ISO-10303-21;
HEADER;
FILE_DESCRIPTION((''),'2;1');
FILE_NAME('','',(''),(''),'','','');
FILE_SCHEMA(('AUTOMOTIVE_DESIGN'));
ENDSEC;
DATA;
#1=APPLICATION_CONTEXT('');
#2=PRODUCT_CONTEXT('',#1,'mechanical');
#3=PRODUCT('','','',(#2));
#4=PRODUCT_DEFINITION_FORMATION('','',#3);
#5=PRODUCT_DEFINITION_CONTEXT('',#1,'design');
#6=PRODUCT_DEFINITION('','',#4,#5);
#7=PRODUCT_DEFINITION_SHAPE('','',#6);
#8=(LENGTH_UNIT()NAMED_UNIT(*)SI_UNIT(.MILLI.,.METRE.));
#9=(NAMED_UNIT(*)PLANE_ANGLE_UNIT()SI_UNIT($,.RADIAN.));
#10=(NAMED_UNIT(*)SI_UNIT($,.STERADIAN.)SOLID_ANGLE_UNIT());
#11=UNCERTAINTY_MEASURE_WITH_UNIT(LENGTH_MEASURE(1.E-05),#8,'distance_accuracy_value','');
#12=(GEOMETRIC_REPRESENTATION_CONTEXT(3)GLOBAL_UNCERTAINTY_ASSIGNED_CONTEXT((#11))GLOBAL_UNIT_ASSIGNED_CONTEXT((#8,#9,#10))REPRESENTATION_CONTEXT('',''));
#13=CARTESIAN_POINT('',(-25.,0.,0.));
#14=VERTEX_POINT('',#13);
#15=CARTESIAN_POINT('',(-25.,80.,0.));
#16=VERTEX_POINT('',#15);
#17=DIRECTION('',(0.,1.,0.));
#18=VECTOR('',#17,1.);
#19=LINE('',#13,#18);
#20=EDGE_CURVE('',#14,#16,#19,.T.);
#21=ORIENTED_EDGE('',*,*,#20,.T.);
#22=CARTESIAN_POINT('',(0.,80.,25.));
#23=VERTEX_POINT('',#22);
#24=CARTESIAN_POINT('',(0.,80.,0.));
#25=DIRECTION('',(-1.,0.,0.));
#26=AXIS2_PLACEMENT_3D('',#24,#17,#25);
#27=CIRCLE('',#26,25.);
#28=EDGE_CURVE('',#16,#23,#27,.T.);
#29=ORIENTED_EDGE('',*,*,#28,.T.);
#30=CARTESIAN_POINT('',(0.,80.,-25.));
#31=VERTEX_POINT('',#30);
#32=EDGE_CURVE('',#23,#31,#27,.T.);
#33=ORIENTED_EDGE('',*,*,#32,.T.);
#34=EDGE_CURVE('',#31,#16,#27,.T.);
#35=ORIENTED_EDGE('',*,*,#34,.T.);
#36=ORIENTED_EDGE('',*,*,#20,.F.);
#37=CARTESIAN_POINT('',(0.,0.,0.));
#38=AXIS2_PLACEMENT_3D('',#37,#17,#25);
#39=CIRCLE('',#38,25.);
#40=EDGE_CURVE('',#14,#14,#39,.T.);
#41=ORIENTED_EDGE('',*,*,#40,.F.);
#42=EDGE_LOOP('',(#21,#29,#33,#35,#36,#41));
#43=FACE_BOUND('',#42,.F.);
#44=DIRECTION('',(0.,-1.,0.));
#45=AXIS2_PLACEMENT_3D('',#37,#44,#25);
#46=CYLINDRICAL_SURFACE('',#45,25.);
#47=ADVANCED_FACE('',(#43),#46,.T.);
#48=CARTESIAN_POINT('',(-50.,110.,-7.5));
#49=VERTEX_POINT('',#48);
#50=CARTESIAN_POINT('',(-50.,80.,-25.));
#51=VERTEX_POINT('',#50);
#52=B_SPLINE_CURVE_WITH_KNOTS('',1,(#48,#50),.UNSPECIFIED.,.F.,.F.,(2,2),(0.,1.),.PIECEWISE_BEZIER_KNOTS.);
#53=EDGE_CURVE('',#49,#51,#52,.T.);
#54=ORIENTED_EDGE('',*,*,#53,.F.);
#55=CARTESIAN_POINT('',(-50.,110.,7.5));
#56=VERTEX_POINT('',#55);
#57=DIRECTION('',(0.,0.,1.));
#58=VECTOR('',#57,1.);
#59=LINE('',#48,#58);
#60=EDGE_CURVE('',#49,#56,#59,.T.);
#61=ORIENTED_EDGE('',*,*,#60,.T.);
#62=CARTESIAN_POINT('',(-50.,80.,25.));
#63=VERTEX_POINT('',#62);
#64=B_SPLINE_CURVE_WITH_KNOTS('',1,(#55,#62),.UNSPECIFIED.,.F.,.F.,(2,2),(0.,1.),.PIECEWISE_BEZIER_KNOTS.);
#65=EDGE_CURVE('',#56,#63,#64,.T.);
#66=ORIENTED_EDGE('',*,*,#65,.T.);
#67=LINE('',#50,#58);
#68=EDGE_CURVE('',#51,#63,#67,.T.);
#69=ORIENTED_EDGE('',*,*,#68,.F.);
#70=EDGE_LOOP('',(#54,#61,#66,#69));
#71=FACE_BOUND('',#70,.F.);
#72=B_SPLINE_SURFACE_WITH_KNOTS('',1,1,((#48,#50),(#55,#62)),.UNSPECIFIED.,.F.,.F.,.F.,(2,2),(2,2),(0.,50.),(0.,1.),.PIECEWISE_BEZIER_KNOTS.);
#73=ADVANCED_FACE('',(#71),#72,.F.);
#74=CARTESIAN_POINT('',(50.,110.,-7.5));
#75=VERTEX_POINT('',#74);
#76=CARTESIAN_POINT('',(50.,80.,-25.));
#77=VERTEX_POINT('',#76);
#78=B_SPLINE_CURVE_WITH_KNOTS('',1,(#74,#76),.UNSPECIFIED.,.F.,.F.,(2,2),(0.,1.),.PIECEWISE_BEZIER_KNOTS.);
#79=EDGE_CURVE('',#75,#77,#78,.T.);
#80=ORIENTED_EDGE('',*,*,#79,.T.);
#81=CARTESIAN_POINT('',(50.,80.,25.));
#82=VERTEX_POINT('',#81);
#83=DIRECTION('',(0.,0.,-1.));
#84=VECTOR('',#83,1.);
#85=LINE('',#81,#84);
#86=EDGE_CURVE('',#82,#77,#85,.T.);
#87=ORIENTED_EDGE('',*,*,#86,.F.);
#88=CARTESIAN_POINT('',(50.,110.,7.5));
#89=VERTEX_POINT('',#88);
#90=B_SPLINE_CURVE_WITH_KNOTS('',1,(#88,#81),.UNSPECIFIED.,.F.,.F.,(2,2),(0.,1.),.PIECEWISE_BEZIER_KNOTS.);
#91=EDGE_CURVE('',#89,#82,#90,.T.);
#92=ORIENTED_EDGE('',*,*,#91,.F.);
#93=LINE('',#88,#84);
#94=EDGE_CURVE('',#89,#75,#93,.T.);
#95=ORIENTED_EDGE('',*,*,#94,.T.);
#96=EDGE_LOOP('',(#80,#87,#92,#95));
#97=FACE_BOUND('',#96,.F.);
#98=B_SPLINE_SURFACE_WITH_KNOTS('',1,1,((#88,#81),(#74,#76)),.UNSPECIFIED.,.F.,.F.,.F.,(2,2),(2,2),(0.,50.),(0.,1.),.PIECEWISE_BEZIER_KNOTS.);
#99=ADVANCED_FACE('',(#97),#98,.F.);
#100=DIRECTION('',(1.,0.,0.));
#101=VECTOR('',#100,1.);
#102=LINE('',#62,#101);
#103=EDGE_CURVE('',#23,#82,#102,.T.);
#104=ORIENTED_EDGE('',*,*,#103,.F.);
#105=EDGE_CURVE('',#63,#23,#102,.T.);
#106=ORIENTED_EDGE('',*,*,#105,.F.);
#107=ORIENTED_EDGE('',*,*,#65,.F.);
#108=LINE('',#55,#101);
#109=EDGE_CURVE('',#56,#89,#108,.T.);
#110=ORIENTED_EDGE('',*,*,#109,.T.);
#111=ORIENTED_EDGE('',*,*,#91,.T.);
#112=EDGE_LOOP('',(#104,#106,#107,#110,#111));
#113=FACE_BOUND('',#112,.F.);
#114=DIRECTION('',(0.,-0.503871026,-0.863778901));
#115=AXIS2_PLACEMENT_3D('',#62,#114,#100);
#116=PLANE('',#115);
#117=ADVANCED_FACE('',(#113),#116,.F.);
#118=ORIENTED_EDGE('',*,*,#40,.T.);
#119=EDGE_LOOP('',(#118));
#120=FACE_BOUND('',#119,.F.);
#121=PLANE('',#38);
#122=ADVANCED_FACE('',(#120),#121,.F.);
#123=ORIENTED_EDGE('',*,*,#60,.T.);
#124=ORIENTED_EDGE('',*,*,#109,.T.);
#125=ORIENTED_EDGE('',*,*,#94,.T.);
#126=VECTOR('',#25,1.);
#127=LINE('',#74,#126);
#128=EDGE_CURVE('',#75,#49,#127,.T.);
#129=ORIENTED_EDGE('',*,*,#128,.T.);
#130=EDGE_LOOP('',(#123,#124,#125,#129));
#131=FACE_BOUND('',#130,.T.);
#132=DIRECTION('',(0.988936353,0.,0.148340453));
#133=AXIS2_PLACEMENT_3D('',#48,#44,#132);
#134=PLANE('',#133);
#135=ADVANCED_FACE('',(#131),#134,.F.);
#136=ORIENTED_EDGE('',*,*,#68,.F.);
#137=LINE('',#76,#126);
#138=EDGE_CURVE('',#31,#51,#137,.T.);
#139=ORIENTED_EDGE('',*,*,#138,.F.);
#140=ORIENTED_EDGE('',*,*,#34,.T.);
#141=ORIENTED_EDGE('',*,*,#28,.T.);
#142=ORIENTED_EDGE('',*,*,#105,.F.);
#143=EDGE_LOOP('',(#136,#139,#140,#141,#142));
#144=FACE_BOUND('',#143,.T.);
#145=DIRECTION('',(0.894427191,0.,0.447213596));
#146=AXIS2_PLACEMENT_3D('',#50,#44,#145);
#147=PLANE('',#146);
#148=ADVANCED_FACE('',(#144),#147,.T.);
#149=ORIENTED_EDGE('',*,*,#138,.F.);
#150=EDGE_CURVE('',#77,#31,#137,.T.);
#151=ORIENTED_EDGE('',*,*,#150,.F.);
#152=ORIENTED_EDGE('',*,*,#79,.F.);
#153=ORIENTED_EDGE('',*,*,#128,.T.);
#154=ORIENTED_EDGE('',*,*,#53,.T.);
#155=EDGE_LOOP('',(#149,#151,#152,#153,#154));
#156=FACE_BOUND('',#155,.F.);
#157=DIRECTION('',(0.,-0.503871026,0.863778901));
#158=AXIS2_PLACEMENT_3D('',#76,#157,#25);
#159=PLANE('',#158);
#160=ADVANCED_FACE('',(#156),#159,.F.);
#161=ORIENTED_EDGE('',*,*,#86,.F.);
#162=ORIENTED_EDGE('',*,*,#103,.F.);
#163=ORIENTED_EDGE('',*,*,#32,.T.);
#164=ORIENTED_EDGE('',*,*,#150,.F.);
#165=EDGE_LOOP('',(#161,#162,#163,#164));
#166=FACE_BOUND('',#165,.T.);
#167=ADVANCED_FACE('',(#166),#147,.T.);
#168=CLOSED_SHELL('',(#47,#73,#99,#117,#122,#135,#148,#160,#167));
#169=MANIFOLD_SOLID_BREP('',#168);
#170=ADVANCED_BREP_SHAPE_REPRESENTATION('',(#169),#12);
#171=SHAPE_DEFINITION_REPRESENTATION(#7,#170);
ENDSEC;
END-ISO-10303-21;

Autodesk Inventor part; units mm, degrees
ref_plane "YZ Plane" through (0, 0, 0) normal (1, 0, 0) x (0, 1, 0)
ref_plane "XZ Plane" through (0, 0, 0) normal (0, 1, 0) x (-1, 0, 0)
ref_plane "XY Plane" through (0, 0, 0) normal (0, 0, 1) x (1, 0, 0)
sketch "Sketch1" plane through (0, 0, 0) normal (0, 1, 0) x (-1, 0, 0)
  circle A0 centre (0, 0) radius 25
  dimension "d0" = 50
extrude "Extrusion1" add sketch "Sketch1" along normal blind 80
sketch "Sketch3" plane through (0, 80, 0) normal (0, 1, 0) x (1, 0, 0)
  line L0 (-50, -25) -> (50, -25)
  line L1 (50, -25) -> (50, 25)
  line L2 (50, 25) -> (-50, 25)
  line L3 (-50, 25) -> (-50, -25)
  line L4 (-50, -25) -> (50, 25) construction
  line L5 (50, -25) -> (-50, 25) construction
  point P0 (0, 0)
  dimension "d7" = 100
  dimension "d11" = 50
ref_plane "Work Plane1" through (0, 110, 0) normal (0, 1, 0) x (1, 0, 0)
sketch "Sketch4" plane through (0, 110, 0) normal (0, 1, 0) x (1, 0, 0)
  line L0 (-50, -7.5) -> (50, -7.5)
  line L1 (50, -7.5) -> (50, 7.5)
  line L2 (50, 7.5) -> (-50, 7.5)
  line L3 (-50, 7.5) -> (-50, -7.5)
  line L4 (-50, -7.5) -> (50, 7.5) construction
  line L5 (50, -7.5) -> (-50, 7.5) construction
  point P0 (0, 0)
  dimension "d9" = 100
  dimension "d10" = 15
loft "Loft1" add profiles "Sketch4", "Sketch3"
properties part number "rotator_flat"
